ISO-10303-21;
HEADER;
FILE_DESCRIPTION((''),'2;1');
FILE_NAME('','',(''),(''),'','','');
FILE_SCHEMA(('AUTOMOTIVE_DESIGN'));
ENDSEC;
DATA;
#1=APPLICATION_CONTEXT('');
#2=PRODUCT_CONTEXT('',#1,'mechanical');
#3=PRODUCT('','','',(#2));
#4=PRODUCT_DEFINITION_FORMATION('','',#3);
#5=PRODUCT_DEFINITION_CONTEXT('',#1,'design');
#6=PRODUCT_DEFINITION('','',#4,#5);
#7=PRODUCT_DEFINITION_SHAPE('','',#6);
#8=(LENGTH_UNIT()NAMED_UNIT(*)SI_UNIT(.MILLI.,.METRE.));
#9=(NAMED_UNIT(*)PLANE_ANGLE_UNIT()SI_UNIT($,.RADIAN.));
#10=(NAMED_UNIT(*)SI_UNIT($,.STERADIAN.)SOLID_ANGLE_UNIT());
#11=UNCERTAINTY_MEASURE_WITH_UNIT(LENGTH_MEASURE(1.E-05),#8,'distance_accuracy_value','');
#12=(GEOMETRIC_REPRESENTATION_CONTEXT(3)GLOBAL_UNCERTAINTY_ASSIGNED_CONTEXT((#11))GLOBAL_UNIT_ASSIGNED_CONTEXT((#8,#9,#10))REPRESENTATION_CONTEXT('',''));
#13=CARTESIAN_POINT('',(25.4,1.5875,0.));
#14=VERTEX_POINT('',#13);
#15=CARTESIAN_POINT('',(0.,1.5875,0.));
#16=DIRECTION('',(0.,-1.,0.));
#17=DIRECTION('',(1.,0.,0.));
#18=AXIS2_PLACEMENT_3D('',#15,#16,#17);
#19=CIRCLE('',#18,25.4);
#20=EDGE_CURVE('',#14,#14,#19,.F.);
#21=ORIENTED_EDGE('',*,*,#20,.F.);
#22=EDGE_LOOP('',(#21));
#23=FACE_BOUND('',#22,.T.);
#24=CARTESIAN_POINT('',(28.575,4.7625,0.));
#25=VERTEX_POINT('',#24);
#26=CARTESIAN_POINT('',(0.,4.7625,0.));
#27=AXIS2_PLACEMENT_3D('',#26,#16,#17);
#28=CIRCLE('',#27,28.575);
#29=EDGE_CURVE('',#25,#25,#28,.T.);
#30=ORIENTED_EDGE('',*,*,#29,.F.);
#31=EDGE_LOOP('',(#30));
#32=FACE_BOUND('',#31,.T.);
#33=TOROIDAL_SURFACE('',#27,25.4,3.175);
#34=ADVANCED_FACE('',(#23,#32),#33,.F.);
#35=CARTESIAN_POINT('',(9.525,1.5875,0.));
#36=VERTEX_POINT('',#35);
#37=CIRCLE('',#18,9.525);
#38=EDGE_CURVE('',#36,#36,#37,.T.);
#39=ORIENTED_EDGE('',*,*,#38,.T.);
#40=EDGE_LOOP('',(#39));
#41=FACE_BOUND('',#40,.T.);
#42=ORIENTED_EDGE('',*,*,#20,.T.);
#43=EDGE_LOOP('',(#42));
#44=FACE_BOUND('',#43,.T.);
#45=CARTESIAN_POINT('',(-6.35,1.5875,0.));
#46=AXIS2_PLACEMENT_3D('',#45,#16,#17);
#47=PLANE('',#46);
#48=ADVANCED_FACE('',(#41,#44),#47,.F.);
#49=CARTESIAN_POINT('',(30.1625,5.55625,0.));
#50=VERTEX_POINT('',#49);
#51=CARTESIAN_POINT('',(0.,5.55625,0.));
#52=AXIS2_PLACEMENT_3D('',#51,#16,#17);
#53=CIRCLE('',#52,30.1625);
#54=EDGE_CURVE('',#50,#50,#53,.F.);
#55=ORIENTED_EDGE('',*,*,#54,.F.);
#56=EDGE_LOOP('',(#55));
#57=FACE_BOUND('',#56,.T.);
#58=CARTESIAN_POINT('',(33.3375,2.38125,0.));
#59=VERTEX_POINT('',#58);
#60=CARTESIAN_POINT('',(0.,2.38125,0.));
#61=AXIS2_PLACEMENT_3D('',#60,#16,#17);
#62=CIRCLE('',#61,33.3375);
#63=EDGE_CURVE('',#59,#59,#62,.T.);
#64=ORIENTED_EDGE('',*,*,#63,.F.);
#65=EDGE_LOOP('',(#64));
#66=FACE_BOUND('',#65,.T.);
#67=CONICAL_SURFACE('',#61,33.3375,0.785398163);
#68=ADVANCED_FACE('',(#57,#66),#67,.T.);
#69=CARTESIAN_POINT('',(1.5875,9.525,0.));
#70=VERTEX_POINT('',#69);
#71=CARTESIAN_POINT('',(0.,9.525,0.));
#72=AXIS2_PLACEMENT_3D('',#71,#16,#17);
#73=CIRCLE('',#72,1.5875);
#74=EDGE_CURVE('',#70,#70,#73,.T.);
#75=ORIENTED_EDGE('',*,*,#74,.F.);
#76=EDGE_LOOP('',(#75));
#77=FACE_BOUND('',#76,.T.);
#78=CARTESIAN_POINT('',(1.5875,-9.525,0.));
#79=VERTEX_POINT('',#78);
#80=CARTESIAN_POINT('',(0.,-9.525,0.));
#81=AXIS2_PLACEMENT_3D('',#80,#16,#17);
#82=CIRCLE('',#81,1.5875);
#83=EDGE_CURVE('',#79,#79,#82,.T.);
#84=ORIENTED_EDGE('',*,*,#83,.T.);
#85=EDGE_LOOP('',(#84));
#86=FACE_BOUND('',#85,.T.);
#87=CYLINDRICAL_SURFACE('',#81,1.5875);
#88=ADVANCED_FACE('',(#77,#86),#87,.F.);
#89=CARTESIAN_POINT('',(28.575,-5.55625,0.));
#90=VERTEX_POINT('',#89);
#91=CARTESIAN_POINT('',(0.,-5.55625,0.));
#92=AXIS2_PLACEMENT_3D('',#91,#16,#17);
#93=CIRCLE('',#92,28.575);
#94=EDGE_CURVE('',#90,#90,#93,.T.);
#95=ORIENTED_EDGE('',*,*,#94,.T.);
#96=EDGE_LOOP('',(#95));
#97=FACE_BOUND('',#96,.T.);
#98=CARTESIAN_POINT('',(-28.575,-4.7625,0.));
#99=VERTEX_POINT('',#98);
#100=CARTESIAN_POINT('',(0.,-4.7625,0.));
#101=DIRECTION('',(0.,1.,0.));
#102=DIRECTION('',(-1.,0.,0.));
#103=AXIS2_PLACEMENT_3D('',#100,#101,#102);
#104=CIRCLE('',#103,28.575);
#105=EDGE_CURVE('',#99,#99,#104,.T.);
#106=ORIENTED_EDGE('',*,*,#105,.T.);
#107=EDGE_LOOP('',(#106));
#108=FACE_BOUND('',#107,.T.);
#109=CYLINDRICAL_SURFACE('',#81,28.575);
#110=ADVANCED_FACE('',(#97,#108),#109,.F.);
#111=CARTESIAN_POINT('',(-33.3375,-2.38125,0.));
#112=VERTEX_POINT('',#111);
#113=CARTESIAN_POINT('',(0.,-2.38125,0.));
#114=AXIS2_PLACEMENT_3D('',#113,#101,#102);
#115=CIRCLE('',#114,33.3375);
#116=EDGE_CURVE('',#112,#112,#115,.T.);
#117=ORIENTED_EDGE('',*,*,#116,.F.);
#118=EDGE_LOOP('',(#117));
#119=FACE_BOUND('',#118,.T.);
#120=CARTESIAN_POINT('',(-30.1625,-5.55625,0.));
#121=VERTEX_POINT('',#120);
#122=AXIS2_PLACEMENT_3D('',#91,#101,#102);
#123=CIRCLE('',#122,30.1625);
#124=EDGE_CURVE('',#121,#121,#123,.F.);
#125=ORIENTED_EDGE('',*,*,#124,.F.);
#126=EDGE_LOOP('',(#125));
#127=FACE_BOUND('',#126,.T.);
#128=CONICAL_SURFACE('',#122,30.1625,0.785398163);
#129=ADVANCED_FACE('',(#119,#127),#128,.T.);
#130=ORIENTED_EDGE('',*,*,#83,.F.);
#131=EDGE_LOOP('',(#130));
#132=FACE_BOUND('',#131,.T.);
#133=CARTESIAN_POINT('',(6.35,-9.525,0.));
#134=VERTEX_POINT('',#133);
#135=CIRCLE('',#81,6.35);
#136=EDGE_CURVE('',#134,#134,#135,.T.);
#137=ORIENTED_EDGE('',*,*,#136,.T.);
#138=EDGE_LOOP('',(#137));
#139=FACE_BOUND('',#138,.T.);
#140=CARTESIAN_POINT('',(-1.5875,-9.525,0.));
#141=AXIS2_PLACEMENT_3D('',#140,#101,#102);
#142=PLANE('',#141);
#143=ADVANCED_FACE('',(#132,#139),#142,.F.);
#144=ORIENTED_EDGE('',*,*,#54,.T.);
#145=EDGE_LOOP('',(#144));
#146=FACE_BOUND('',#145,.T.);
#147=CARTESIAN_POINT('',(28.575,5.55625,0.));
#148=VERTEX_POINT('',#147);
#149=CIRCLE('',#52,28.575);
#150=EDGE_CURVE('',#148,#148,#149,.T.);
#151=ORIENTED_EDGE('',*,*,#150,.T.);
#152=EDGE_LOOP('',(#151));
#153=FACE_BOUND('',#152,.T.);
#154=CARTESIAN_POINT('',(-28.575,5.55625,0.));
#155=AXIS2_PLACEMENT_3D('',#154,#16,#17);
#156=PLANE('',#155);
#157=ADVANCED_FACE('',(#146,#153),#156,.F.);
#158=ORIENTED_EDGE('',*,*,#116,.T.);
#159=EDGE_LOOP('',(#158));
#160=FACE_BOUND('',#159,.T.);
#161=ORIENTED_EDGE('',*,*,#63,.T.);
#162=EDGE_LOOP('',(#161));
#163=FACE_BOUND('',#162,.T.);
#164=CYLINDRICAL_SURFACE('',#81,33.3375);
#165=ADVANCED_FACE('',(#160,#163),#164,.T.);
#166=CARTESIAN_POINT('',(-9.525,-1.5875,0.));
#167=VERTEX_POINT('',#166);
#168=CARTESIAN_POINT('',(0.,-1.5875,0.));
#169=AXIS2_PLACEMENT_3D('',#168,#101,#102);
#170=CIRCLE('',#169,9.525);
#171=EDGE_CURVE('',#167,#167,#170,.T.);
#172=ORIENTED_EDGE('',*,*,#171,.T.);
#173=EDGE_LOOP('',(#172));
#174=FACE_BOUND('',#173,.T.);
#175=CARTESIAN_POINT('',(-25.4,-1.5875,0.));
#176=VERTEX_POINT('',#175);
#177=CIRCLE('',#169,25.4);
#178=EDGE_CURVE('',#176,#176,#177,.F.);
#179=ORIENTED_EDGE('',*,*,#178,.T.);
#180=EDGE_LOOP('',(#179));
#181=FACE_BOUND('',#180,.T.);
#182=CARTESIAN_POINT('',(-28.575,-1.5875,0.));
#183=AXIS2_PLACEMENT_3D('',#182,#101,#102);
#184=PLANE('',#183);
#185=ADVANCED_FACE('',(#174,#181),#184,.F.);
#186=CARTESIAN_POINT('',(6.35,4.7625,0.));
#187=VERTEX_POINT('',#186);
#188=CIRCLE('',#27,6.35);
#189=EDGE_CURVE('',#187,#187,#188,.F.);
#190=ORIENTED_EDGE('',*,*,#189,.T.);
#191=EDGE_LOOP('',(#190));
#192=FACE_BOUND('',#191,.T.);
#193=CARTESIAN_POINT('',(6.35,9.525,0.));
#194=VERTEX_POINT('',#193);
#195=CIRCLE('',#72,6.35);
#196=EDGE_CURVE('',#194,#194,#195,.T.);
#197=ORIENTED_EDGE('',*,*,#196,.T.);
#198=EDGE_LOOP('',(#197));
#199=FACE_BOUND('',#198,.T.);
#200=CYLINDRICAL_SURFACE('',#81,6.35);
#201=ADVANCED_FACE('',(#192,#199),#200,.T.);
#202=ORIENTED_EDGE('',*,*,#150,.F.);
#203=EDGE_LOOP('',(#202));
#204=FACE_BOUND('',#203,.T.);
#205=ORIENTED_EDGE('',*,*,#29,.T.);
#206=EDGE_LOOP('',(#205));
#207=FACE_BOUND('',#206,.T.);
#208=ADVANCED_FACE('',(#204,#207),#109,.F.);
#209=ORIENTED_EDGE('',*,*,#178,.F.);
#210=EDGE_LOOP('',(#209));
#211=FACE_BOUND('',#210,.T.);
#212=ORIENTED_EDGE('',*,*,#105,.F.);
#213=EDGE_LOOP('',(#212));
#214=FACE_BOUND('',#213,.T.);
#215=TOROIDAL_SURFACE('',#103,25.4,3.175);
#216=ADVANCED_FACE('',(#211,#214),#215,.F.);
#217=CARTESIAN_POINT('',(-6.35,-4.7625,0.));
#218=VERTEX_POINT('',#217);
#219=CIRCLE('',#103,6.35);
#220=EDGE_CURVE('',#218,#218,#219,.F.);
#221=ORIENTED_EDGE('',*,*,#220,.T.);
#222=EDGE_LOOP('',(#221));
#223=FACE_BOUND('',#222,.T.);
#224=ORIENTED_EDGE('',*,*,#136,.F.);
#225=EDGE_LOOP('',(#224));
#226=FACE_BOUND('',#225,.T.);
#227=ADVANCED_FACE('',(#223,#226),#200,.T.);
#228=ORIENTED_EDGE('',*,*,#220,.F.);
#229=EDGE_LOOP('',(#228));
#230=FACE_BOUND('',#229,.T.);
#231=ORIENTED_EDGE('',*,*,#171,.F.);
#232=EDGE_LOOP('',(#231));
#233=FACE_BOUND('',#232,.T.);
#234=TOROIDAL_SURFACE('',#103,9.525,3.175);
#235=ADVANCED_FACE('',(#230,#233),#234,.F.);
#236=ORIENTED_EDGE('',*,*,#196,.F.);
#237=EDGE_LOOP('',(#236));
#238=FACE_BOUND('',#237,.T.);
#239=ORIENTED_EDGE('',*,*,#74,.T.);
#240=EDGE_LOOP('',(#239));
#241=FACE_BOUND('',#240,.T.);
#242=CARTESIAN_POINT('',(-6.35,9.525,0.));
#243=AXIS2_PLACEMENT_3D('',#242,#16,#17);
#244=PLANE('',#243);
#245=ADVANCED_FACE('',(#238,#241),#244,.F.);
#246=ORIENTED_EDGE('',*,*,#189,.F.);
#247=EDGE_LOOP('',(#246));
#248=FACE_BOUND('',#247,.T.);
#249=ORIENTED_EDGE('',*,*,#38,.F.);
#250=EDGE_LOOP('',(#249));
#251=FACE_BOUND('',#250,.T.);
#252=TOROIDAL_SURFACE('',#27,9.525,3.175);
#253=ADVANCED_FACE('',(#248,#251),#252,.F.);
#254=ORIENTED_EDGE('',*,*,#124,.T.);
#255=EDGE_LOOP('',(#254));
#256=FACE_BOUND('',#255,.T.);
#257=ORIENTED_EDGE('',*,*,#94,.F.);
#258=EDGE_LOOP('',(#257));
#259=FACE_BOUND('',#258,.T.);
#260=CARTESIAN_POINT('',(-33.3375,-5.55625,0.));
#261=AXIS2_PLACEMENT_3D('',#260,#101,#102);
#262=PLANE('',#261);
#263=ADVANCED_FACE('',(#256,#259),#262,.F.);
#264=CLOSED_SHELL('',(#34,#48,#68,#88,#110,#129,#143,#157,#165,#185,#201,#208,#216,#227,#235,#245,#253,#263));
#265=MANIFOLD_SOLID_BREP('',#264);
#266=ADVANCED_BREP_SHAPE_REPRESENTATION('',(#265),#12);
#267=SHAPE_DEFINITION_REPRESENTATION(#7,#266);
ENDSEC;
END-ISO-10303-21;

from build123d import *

# Parameters (mm, degrees)
FILLET1_R     = 3.175
CHAMFER1_SIZE = 3.175


with BuildPart() as part:
    # Sketch1 → Revolve1 (revolve)
    with BuildSketch(Plane.XY):
        Polygon((-6.35, 9.525), (-1.5875, 9.525), (-1.5875, -9.525), (-6.35, -9.525), (-6.35, -1.5875), (-28.575, -1.5875), (-28.575, -5.55625), (-33.3375, -5.55625), (-33.3375, 5.55625), (-28.575, 5.55625), (-28.575, 1.5875), (-6.35, 1.5875), align=None)
    revolve(axis=Axis((0, -9.525, 0), (0, 1, 0)))

    # Fillet1
    fillet1_edges = [part.edges().sort_by_distance(p)[0] for p in [
        (28.575, -1.5875, 0),
        (6.35, -1.5875, 0),
        (6.35, 1.5875, 0),
        (28.575, 1.5875, 0),
    ]]
    fillet(fillet1_edges, radius=FILLET1_R)

    # Chamfer1
    chamfer1_edges = [part.edges().sort_by_distance(p)[0] for p in [
        (33.3375, 5.55625, 0),
        (33.3375, -5.55625, 0),
    ]]
    chamfer(chamfer1_edges, length=CHAMFER1_SIZE)


solid = part.part
